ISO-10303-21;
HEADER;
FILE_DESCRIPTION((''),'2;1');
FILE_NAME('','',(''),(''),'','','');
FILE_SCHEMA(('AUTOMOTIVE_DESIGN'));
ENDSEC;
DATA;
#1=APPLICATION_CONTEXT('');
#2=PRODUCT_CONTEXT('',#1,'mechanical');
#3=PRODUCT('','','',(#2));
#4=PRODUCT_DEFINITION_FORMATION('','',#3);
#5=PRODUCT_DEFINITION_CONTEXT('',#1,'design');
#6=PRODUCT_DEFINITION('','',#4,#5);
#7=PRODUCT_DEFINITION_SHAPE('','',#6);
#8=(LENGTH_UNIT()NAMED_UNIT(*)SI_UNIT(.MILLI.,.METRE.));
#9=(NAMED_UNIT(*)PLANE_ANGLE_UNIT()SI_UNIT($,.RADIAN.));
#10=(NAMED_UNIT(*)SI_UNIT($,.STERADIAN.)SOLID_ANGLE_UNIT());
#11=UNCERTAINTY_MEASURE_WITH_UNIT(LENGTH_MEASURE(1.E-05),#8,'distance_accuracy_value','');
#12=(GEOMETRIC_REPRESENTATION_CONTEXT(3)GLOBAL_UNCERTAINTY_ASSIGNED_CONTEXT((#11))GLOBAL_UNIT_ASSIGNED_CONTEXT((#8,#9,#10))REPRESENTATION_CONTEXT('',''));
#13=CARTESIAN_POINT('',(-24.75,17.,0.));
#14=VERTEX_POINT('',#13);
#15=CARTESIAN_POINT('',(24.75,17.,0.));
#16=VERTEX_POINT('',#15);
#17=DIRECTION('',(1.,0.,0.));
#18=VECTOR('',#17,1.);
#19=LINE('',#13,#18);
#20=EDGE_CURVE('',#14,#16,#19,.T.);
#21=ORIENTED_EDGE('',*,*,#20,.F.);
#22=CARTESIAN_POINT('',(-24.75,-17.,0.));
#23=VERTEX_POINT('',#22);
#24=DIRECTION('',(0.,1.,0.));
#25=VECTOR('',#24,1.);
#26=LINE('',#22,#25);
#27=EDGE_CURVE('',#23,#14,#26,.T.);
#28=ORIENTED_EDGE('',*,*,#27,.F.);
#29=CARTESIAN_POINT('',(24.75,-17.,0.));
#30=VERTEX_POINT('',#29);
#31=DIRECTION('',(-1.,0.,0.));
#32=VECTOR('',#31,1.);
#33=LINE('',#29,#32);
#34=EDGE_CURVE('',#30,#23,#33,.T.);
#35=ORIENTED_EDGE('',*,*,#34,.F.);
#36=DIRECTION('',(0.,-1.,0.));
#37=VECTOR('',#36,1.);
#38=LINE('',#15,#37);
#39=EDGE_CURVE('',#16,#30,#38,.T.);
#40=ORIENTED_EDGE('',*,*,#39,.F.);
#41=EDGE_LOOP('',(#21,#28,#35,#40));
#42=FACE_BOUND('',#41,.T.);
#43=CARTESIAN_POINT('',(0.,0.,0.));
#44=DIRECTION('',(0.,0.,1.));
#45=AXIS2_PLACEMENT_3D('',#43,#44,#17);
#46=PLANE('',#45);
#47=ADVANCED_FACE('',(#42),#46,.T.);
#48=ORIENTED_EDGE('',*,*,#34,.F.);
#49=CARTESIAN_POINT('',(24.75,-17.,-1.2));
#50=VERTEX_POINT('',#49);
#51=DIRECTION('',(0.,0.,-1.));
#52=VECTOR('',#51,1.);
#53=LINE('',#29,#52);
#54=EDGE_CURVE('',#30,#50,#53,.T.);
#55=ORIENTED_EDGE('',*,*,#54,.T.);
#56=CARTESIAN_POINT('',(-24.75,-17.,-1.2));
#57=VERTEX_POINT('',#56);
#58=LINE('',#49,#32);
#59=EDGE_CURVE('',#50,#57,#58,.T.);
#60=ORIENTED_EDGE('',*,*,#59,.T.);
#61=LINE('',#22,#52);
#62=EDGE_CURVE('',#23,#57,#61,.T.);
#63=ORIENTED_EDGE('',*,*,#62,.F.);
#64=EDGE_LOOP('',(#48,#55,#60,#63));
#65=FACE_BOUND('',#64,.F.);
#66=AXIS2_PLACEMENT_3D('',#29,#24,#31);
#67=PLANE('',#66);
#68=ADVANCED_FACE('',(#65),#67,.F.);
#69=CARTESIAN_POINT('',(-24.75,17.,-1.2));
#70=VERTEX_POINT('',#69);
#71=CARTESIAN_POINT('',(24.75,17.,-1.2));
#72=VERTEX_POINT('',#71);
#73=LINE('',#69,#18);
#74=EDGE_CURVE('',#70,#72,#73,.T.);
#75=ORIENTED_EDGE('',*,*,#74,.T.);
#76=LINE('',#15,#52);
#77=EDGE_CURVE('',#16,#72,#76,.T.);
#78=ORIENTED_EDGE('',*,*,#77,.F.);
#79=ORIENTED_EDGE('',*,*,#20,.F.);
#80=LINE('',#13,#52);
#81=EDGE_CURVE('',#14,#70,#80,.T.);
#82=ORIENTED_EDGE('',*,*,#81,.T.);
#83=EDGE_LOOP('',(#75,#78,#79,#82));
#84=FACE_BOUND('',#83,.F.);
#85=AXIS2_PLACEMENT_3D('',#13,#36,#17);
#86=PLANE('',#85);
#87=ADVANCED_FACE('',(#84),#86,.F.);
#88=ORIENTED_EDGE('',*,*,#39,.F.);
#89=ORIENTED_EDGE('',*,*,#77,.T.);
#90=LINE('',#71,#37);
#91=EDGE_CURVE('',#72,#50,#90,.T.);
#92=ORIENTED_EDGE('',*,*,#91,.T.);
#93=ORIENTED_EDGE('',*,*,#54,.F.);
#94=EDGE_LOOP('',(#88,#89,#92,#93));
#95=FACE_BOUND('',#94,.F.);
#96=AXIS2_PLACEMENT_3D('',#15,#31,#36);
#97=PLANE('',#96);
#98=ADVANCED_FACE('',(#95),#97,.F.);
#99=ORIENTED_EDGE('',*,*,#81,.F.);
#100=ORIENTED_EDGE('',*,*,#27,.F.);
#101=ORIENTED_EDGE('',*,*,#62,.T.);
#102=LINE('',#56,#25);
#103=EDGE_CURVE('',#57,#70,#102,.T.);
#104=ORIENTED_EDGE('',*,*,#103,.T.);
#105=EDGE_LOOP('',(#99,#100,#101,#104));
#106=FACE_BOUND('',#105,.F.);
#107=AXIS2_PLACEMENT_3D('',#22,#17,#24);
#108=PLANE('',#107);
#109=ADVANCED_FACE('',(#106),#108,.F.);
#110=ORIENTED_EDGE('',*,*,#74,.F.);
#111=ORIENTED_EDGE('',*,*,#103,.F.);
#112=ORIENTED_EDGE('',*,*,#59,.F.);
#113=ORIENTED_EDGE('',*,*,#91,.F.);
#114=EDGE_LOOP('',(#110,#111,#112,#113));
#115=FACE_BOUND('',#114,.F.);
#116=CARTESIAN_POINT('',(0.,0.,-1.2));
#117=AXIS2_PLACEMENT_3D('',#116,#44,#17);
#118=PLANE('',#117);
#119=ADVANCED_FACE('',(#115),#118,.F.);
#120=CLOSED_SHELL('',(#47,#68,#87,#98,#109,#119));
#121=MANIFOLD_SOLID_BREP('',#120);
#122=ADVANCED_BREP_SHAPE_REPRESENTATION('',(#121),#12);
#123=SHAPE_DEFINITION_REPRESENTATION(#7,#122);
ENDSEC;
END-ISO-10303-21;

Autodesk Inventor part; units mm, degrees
ref_plane "YZ Plane" through (0, 0, 0) normal (1, 0, 0) x (0, 1, 0)
ref_plane "XZ Plane" through (0, 0, 0) normal (0, 1, 0) x (-1, 0, 0)
ref_plane "XY Plane" through (0, 0, 0) normal (0, 0, 1) x (1, 0, 0)
sketch "スケッチ1" plane through (0, 0, 0) normal (0, 0, 1) x (1, 0, 0)
  line L0 (-24.75, 17) -> (24.75, 17)
  line L1 (24.75, 17) -> (24.75, -17)
  line L2 (24.75, -17) -> (-24.75, -17)
  line L3 (-24.75, -17) -> (-24.75, 17)
  point P0 (0, 0)
  dimension "d2" = 17
  dimension "d3" = 24.75
  dimension "d4" = 17
  dimension "d5" = 24.75
extrude "押し出し5" add sketch "スケッチ1" against normal blind 1.2
equation "\"d4\" = d2"
equation "\"d5\" = d3"
properties part number "TFT_kiban"
